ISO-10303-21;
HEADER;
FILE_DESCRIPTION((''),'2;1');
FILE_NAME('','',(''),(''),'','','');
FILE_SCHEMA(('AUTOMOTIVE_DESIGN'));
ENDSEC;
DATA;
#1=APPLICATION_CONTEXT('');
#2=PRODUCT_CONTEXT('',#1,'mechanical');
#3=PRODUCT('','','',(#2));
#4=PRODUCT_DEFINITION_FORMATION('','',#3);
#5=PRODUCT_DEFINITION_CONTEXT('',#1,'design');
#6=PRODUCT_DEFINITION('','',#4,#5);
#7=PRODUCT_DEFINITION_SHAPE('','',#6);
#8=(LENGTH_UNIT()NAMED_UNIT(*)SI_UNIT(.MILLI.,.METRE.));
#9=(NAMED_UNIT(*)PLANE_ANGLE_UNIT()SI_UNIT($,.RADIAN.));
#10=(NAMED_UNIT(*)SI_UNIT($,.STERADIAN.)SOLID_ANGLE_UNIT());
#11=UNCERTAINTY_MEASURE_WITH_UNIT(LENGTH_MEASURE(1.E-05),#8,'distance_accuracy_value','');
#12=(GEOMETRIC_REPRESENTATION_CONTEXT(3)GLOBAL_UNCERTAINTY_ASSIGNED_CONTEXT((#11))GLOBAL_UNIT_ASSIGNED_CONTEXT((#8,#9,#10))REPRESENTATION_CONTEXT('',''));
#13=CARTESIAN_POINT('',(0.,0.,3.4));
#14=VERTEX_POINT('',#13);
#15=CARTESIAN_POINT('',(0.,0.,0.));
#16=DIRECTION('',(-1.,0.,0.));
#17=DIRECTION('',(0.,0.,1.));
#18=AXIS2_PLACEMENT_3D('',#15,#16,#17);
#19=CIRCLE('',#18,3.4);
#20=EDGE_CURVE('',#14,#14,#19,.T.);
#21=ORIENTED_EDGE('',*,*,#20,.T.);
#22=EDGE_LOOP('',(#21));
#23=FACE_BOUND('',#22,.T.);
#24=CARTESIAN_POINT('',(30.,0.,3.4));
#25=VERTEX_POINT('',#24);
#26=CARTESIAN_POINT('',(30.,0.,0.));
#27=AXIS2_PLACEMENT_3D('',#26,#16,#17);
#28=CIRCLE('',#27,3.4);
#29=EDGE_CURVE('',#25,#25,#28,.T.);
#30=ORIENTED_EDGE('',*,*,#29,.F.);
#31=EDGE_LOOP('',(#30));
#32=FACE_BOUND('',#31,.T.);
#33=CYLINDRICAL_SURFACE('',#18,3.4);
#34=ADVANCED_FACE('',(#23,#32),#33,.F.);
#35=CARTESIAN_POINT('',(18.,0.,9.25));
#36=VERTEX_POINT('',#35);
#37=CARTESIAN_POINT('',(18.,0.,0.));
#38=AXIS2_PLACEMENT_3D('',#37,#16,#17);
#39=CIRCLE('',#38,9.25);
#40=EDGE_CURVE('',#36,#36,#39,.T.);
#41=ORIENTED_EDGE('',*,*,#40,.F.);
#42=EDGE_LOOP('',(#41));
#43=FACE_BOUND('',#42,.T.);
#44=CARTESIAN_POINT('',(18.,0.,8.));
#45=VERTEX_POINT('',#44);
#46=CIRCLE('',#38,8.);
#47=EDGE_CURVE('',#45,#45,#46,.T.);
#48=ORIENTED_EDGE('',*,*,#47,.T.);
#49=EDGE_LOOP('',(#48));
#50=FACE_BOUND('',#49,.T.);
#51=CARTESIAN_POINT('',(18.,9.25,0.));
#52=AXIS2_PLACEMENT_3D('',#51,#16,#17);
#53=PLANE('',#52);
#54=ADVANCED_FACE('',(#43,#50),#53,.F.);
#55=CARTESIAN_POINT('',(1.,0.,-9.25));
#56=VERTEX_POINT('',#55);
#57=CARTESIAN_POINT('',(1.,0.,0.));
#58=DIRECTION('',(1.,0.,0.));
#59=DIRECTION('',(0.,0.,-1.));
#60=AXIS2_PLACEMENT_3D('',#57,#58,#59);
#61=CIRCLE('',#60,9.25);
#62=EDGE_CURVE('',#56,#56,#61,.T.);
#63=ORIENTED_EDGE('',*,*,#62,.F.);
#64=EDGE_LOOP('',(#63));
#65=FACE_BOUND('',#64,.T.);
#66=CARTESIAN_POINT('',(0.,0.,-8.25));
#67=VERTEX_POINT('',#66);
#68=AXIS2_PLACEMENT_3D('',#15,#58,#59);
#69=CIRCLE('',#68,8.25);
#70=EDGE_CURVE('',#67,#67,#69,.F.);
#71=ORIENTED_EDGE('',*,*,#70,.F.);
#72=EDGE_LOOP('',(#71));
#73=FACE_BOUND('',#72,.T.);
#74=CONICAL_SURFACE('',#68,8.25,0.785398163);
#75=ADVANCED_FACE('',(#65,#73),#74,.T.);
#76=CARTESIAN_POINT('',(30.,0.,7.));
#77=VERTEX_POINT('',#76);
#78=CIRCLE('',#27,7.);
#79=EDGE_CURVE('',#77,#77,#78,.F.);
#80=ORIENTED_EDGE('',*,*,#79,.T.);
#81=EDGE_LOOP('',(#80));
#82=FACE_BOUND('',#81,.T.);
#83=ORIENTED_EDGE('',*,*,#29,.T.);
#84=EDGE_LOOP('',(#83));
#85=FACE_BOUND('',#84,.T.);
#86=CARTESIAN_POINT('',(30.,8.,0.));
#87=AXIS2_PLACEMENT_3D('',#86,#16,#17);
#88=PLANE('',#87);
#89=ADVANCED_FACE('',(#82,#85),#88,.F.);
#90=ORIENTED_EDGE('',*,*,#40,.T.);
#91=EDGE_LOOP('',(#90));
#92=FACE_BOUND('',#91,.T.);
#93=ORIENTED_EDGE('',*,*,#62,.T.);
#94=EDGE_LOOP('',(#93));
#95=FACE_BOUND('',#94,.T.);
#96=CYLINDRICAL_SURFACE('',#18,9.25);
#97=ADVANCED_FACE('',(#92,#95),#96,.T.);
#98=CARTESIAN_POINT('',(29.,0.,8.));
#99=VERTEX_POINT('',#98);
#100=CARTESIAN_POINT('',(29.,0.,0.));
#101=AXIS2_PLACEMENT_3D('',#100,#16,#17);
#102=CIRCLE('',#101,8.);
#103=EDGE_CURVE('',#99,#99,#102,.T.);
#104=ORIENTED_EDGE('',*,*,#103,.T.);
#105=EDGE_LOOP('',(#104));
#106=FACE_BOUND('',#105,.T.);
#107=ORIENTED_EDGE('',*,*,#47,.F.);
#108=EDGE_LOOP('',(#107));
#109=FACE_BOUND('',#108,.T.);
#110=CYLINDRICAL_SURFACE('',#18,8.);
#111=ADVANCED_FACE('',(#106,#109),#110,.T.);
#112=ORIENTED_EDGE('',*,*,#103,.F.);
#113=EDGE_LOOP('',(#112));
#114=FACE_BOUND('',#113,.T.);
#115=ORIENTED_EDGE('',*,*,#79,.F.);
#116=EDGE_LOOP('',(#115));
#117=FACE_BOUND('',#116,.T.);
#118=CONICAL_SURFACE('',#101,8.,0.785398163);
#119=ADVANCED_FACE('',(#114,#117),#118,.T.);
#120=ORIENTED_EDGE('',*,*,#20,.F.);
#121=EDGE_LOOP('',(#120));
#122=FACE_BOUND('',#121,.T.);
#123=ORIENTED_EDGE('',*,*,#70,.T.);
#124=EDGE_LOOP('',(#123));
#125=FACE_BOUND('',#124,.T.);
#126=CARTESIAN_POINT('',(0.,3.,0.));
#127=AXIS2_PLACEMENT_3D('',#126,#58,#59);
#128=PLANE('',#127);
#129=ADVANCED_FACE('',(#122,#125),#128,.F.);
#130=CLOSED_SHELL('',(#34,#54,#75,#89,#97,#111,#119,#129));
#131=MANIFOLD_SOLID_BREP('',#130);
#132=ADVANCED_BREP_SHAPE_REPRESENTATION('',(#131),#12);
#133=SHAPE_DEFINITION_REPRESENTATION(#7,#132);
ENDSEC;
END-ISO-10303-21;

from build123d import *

# Parameters (mm, degrees)
HOLE_WIZARD_M82_D = 6.8
CHAMFER_1_SIZE    = 1


with BuildPart() as part:
    # Эскиз1 → Повернуть1 (revolve)
    with BuildSketch(Plane.XY, mode=Mode.PRIVATE) as revolve_1_sk:
        Polygon((0, 3), (0, 9.25), (18, 9.25), (18, 8), (30, 8), (30, 3), align=None)
    revolve(revolve_1_sk.sketch.rotate(Axis((0, 0, 0), (1, 0, 0)), 90), axis=Axis((0, 0, 0), (1, 0, 0)))

    # Отверстие обработанное метчиком M82 (through all)
    with Locations(Plane.ZY):
        with Locations((0, 0)):
            Hole(HOLE_WIZARD_M82_D / 2)

    # Фаска1
    chamfer_1_edges = [part.edges().sort_by_distance(p)[0] for p in [
        (30, 0, -8),
        (0, 0, -9.25),
    ]]
    chamfer(chamfer_1_edges, length=CHAMFER_1_SIZE)


solid = part.part
